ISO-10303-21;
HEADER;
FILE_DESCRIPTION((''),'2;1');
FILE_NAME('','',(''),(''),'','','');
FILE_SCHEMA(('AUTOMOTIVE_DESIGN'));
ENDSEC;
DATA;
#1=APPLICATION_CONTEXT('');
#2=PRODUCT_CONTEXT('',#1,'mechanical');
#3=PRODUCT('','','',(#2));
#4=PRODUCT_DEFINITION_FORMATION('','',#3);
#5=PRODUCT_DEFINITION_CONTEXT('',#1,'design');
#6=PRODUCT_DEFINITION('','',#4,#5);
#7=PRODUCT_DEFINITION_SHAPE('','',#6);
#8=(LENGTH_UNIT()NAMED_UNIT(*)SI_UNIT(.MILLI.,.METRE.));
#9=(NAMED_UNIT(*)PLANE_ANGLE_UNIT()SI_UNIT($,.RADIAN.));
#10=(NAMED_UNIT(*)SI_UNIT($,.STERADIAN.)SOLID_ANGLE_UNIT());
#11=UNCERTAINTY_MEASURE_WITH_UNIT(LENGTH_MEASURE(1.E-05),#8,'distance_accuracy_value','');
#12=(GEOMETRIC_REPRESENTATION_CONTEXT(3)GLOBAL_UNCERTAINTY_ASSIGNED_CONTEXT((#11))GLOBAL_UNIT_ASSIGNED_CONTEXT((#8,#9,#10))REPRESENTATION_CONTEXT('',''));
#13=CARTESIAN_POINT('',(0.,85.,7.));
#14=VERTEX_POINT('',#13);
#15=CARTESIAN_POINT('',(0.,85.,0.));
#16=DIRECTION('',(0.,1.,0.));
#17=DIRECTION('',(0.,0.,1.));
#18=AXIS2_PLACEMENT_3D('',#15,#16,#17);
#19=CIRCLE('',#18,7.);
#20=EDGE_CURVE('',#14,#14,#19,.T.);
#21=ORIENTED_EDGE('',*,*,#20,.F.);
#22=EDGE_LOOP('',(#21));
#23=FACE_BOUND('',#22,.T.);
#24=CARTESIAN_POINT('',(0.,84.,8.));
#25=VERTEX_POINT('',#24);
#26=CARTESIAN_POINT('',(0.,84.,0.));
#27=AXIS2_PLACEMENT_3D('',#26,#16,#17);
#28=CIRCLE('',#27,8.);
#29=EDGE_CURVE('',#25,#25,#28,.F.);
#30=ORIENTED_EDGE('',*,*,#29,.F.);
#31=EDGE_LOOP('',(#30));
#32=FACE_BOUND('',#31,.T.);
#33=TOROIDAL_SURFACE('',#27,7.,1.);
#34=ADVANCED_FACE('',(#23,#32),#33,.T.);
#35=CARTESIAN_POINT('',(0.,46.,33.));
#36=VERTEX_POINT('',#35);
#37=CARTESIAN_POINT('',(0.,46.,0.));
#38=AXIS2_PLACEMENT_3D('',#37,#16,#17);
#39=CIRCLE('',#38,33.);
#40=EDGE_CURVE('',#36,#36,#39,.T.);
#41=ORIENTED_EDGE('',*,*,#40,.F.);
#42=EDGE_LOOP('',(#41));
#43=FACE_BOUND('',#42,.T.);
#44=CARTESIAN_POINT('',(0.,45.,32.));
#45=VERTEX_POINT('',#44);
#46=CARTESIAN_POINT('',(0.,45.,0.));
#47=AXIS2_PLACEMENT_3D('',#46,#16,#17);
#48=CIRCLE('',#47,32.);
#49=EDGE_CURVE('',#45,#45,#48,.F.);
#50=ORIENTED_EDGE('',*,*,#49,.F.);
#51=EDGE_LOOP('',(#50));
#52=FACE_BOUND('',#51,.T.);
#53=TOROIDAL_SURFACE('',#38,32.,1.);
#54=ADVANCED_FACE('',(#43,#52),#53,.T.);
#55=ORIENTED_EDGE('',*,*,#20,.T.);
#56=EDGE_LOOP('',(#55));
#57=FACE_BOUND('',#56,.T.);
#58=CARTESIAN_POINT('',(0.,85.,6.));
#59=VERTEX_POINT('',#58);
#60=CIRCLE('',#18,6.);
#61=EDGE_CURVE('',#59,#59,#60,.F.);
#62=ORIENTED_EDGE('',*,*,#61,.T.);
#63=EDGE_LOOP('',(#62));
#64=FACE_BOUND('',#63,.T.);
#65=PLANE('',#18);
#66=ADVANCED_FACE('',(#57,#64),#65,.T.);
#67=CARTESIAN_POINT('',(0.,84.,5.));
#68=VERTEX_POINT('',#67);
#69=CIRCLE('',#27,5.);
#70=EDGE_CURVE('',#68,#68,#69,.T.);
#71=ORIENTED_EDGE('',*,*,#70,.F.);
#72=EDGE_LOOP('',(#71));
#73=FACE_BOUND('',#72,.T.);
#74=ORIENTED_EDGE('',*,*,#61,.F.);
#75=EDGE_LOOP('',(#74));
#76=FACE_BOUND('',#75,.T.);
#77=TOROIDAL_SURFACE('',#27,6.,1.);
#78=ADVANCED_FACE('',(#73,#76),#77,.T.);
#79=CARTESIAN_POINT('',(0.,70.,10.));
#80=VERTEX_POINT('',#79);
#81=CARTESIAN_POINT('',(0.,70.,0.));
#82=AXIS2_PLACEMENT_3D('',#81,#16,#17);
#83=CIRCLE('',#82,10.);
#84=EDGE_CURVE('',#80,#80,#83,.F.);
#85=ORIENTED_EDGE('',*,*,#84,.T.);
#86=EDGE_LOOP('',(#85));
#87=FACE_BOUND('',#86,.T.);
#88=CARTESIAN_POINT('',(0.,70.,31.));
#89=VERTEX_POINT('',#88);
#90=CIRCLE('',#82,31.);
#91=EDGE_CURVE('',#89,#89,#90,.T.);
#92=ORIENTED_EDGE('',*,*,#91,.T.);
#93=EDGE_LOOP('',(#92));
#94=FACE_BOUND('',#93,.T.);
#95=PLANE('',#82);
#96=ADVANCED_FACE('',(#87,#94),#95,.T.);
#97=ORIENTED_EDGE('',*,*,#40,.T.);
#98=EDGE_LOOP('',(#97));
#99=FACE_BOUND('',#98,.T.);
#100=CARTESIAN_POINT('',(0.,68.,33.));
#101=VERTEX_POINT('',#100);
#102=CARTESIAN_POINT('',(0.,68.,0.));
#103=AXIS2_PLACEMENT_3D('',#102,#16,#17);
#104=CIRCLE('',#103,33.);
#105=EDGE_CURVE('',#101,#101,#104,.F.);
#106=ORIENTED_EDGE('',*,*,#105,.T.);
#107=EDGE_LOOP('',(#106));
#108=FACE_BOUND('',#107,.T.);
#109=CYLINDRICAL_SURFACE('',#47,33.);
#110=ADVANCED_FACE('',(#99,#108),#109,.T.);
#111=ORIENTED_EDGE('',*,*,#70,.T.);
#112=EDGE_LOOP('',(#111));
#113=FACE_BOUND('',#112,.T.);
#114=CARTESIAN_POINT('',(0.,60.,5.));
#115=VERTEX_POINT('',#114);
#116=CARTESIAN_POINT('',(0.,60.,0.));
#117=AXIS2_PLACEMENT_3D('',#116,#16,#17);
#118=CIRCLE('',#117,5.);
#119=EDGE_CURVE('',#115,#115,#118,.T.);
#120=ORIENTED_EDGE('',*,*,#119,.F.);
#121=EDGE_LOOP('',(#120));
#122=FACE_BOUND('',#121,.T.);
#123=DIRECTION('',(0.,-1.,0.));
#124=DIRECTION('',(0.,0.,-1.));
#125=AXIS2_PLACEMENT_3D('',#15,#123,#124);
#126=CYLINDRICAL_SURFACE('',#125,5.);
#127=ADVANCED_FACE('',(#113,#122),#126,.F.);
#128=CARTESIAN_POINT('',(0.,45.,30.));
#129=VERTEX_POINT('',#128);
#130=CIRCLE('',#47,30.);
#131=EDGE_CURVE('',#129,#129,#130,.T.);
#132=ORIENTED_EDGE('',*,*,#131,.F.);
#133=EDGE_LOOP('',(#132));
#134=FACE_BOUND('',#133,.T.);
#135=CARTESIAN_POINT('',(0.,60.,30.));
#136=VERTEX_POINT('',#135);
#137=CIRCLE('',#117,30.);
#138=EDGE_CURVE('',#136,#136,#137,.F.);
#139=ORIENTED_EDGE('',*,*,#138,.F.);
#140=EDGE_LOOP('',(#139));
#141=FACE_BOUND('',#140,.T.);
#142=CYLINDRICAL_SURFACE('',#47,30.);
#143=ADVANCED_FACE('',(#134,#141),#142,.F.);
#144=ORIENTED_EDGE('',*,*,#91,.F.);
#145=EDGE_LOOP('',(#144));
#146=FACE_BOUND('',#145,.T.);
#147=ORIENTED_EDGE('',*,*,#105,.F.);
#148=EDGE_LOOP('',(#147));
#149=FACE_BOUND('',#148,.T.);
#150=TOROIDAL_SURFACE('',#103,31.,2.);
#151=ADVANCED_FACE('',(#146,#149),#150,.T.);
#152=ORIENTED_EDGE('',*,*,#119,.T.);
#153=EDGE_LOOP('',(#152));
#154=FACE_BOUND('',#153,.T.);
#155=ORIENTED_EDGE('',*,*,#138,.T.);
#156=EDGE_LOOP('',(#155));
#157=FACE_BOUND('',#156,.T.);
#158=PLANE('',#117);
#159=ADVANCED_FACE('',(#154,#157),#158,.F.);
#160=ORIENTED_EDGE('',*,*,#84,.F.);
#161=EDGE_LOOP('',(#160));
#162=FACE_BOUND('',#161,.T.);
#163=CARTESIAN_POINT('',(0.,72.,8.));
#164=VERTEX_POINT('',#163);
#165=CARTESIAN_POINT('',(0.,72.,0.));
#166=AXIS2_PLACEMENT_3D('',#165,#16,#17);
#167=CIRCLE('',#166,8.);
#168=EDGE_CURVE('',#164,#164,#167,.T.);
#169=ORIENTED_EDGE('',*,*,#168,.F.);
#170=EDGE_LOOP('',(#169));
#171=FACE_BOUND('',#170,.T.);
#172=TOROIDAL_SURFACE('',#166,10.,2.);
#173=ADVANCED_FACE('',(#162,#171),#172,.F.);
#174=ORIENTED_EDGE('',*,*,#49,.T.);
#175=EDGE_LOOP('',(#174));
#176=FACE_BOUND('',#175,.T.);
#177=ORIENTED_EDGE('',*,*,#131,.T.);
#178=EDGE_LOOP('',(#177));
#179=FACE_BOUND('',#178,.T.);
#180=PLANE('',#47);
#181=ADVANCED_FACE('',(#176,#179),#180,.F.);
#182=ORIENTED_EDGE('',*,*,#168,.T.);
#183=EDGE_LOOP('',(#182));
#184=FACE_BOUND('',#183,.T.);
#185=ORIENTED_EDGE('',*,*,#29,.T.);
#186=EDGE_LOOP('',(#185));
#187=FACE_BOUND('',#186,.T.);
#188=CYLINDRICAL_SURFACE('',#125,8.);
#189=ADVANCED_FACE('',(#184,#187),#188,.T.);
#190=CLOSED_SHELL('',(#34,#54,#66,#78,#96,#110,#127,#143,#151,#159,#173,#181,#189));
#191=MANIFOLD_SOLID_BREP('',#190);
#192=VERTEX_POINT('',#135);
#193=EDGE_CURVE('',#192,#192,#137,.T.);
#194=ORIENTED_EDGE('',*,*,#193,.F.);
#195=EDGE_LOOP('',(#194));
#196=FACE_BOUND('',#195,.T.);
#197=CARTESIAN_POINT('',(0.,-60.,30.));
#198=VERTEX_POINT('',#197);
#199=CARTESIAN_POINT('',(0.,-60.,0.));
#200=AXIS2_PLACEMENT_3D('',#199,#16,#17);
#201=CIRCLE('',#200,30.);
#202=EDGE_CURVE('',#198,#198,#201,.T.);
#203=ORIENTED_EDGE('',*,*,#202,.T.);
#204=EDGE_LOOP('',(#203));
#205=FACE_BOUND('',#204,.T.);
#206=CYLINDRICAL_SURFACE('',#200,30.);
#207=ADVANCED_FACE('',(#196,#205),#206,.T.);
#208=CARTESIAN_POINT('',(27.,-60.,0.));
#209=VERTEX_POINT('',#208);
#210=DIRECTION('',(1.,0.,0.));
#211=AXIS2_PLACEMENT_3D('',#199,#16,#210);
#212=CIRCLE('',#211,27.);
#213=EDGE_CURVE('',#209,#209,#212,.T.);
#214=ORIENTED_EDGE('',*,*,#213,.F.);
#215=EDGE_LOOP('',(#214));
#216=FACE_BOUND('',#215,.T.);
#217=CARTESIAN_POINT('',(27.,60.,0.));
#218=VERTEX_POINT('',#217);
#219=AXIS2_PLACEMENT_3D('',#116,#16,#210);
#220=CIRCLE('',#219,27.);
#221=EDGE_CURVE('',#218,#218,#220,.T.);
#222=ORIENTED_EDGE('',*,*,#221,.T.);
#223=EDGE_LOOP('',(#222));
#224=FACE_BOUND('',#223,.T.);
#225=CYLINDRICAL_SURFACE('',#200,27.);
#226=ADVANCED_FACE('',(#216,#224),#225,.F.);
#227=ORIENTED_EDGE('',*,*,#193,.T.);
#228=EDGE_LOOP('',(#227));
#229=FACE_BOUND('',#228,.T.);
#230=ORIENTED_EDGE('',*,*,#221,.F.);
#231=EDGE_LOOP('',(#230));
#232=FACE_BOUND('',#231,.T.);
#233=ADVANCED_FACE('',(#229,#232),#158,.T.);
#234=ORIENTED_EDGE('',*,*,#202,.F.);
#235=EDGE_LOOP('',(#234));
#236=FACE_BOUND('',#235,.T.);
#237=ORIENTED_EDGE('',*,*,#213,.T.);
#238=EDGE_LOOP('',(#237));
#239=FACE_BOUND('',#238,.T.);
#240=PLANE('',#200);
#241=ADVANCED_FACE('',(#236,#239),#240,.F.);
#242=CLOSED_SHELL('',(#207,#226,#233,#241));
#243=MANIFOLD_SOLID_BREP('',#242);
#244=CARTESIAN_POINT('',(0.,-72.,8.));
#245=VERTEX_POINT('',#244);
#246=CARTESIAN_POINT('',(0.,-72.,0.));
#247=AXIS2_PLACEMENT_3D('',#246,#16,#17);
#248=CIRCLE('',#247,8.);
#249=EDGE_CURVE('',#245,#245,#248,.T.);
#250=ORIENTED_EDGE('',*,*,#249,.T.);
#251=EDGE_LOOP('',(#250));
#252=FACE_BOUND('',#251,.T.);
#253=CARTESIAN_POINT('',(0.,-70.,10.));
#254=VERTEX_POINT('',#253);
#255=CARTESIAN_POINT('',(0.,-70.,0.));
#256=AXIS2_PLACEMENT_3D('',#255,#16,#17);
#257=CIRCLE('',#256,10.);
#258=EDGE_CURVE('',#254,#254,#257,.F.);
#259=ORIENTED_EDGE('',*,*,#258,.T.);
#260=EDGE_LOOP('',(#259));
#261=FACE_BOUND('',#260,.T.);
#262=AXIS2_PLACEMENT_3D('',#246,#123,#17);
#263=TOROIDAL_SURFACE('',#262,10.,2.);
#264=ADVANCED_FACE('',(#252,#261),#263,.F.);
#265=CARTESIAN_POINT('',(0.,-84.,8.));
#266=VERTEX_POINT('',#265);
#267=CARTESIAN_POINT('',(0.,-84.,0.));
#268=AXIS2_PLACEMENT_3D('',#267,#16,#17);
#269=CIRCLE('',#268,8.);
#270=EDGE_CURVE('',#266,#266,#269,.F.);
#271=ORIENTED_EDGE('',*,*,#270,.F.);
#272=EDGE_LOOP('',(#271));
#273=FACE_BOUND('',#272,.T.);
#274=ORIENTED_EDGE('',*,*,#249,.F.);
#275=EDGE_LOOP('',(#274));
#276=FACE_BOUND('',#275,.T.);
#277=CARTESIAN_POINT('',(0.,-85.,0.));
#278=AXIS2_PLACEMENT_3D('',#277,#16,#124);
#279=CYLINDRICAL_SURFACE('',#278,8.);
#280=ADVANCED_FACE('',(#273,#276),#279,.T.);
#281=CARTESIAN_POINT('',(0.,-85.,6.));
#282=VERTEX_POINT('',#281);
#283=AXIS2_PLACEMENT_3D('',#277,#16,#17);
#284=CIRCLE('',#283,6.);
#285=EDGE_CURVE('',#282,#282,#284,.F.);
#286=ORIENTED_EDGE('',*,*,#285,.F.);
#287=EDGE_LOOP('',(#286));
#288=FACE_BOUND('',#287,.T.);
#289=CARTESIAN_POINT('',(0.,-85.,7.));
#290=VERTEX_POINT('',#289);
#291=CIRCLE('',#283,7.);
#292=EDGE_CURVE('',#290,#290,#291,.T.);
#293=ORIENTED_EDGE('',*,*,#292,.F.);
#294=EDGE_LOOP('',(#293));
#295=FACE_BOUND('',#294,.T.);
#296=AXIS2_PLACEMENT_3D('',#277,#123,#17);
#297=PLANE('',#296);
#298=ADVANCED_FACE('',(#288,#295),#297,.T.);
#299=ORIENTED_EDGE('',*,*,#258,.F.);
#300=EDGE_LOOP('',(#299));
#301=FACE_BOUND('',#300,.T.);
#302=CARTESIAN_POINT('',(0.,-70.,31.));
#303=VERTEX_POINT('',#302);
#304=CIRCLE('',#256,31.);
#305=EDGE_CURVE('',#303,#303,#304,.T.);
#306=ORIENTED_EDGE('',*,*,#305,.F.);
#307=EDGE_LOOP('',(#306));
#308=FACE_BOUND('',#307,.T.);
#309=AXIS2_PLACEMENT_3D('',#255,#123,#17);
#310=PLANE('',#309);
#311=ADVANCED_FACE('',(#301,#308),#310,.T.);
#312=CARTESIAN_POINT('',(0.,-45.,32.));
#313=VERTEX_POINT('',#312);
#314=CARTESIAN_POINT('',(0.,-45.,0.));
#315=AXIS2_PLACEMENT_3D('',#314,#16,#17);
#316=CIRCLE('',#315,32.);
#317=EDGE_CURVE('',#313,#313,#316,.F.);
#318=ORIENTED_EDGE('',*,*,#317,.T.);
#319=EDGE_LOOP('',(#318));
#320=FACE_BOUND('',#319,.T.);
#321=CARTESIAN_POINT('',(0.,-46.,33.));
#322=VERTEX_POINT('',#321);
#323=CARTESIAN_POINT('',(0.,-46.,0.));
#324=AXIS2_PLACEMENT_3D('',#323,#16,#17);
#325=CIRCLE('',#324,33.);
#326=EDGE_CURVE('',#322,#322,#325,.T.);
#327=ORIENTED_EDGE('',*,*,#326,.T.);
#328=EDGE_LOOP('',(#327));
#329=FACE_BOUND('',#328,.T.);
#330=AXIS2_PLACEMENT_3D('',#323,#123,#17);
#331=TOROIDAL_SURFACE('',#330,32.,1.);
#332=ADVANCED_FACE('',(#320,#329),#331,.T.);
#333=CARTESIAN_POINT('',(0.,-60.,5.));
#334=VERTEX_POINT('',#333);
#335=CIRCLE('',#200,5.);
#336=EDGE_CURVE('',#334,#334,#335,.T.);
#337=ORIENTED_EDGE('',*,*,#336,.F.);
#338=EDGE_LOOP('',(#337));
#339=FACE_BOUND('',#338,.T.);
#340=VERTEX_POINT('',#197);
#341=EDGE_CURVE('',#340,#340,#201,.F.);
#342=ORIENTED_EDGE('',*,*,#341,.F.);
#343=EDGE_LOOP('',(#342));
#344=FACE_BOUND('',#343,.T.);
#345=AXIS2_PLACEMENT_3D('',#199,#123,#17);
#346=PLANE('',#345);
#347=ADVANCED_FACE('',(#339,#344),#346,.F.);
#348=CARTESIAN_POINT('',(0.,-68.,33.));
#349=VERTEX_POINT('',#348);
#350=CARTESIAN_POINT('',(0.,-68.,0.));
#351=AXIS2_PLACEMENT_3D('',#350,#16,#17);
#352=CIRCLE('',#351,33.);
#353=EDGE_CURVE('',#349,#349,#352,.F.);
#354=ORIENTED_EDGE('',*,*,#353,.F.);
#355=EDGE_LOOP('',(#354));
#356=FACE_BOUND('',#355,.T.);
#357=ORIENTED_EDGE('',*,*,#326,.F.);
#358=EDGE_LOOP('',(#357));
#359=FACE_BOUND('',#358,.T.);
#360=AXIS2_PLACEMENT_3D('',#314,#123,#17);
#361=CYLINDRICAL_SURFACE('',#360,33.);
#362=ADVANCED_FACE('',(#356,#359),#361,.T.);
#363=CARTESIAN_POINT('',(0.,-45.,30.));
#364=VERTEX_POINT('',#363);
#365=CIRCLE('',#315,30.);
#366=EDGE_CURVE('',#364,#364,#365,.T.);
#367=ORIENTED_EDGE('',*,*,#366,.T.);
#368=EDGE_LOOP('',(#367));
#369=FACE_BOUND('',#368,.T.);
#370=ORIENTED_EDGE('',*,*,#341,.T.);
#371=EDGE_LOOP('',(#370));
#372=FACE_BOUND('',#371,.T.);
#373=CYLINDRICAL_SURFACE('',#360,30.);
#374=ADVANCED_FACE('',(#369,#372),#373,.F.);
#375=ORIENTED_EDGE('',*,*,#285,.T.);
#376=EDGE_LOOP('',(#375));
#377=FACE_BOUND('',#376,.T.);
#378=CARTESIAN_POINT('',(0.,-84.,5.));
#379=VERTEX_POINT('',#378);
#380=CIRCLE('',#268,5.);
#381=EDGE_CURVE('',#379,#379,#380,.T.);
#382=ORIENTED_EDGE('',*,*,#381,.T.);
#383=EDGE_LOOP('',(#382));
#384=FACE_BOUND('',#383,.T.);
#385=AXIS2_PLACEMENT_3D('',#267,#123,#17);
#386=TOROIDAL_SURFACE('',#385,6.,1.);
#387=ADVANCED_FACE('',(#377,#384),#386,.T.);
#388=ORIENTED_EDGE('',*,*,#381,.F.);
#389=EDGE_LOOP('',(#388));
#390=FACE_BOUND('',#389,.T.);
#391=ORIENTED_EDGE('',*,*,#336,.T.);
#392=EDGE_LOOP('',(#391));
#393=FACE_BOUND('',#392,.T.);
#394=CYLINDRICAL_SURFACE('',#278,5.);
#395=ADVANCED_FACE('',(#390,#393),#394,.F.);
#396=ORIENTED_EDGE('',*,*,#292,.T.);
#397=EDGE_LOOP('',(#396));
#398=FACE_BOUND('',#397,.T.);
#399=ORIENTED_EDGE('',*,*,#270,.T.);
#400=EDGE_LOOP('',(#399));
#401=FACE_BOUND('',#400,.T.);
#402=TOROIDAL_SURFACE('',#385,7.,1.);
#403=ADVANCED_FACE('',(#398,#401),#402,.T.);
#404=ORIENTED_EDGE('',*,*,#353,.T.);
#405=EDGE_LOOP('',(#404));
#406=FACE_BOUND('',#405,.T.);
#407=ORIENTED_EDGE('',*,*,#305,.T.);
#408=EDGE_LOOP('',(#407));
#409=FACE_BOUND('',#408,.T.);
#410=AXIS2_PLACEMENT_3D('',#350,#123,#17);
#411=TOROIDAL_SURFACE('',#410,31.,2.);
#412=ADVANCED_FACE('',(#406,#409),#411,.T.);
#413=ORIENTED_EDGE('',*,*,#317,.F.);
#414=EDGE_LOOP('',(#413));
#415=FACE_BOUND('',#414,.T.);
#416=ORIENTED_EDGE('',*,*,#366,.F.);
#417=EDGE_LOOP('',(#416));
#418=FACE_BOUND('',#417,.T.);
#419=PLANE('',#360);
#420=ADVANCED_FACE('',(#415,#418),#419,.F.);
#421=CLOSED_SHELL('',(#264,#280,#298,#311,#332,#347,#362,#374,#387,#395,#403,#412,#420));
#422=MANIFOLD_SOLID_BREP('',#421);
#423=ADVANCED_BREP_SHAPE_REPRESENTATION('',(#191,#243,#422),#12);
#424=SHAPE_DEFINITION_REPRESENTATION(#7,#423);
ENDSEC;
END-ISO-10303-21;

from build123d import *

# Parameters (mm, degrees)
EXTRUIR_L_MINA1_DEPTH      = 60
EXTRUIR_L_MINA1_DEPTH_BACK = 60
CROQUIS1_R                 = 30
CROQUIS1_R_2               = 27
CROQUIS2_R                 = 33
CROQUIS2_R_2               = 30
EXTRUIR1_DEPTH             = 15
CROQUIS3_R                 = 33
EXTRUIR2_DEPTH             = 10
CROQUIS4_R                 = 8
CROQUIS4_R_2               = 5
EXTRUIR3_DEPTH             = 15
CROQUIS5_R                 = 5
EXTRUIR4_DEPTH             = 20
REDONDEO1_R                = 2
REDONDEO2_R                = 1


with BuildPart() as part:
    # Croquis1 → Extruir-Lámina1 (new, two sides: drawn at the far end of the back side and taken through both)
    with BuildSketch(Plane(origin=(0, 0, 0), x_dir=(1, 0, 0), z_dir=(0, 1, 0)).offset(-EXTRUIR_L_MINA1_DEPTH_BACK)):
        Circle(CROQUIS1_R)
        Circle(CROQUIS1_R_2, mode=Mode.SUBTRACT)
    extrude(amount=EXTRUIR_L_MINA1_DEPTH + EXTRUIR_L_MINA1_DEPTH_BACK)


with BuildPart() as body_2:
    # Croquis2 → Extruir1 (new body)
    with BuildSketch(Plane(origin=(0, 60, 0), x_dir=(1, 0, 0), z_dir=(0, 1, 0))):
        with Locations(Location((0, 0, 0), (0, 0, 270))):
            Circle(CROQUIS2_R)
        with Locations(Location((0, 0, 0), (0, 0, 270))):
            Circle(CROQUIS2_R_2, mode=Mode.SUBTRACT)
    extrude(amount=-EXTRUIR1_DEPTH)

    # Croquis3 → Extruir2 (add)
    with BuildSketch(Plane(origin=(0, 60, 0), x_dir=(1, 0, 0), z_dir=(0, 1, 0))):
        with Locations(Location((0, 0, 0), (0, 0, 270))):
            Circle(CROQUIS3_R)
    extrude(amount=EXTRUIR2_DEPTH)

    # Croquis4 → Extruir3 (add)
    with BuildSketch(Plane(origin=(0, 70, 0), x_dir=(1, 0, 0), z_dir=(0, 1, 0))):
        with Locations(Location((0, 0, 0), (0, 0, 270))):
            Circle(CROQUIS4_R)
        with Locations(Location((0, 0, 0), (0, 0, 270))):
            Circle(CROQUIS4_R_2, mode=Mode.SUBTRACT)
    extrude(amount=EXTRUIR3_DEPTH)

    # Croquis5 → Extruir4 (cut)
    with BuildSketch(Plane(origin=(0, 70, 0), x_dir=(1, 0, 0), z_dir=(0, 1, 0))):
        with Locations(Location((0, 0, 0), (0, 0, 270))):
            Circle(CROQUIS5_R)
    extrude(amount=-EXTRUIR4_DEPTH, mode=Mode.SUBTRACT)

    # Redondeo1
    redondeo1_edges = [body_2.edges().sort_by_distance(p)[0] for p in [
        (0, 70, -33),
        (0, 70, -8),
    ]]
    fillet(redondeo1_edges, radius=REDONDEO1_R)

    # Redondeo2
    redondeo2_edges = [body_2.edges().sort_by_distance(p)[0] for p in [
        (0, 85, -8),
        (0, 85, -5),
        (0, 45, -33),
    ]]
    fillet(redondeo2_edges, radius=REDONDEO2_R)


with BuildPart() as body_3:
    # Simetría1: mirrored copy
    add(body_2.part.mirror(Plane.ZX))


solid = Compound([part.part, body_2.part, body_3.part])
